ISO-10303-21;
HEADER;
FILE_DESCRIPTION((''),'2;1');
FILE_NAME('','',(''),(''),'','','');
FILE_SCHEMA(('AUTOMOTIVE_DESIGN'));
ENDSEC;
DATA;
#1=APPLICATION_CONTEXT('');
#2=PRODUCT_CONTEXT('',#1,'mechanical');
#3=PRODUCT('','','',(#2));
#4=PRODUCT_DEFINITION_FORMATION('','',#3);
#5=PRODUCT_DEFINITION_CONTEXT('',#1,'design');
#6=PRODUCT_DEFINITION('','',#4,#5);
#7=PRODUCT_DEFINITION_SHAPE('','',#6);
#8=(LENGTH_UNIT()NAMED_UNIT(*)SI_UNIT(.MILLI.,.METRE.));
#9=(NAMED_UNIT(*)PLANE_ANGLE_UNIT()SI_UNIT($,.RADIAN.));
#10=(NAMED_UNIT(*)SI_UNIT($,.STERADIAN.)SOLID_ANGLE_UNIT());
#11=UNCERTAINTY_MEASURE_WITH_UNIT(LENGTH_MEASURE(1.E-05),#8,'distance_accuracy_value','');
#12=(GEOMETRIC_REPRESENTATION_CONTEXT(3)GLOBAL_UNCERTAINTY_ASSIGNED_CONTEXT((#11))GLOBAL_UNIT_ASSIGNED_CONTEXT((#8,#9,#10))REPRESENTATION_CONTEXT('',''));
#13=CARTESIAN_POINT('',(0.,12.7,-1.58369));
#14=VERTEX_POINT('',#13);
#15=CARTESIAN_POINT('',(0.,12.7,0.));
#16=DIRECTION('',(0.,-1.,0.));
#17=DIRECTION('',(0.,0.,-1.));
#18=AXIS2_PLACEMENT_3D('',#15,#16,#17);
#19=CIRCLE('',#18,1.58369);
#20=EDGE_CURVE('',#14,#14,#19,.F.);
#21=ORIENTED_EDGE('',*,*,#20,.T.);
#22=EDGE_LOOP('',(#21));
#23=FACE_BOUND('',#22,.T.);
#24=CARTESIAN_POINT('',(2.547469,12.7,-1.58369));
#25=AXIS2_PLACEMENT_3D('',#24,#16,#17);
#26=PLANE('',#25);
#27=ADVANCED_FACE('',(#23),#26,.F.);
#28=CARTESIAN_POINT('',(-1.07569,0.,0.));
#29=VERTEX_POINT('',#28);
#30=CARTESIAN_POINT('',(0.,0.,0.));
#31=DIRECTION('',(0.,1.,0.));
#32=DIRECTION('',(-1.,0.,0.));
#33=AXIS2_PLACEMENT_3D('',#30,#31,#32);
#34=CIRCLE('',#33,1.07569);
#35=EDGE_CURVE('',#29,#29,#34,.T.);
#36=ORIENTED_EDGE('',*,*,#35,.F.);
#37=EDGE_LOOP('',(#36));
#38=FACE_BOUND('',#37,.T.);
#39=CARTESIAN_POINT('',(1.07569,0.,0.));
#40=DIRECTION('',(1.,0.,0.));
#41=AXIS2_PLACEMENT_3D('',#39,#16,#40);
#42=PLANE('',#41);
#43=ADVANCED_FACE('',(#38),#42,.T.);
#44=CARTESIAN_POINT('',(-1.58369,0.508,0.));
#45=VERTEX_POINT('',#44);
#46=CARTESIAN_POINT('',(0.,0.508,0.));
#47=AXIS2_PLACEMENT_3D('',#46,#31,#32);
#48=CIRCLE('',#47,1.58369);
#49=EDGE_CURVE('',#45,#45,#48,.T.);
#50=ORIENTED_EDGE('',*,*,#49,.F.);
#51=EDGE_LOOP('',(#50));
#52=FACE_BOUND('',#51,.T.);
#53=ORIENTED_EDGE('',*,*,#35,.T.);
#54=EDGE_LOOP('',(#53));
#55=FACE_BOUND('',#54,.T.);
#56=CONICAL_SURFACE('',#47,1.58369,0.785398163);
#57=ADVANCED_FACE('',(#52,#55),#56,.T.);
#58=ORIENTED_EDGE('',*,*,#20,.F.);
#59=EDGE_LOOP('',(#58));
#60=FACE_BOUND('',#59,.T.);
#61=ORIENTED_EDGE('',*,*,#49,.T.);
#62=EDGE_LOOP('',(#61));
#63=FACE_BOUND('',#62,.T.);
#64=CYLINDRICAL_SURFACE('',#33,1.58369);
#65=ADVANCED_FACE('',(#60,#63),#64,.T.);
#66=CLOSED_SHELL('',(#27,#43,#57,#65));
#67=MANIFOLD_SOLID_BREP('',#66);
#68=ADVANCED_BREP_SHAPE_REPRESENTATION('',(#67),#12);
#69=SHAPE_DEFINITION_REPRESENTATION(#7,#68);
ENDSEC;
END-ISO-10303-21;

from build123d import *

# Parameters (mm, degrees)
CUT_EXTRUDE1_DEPTH      = 26.498551881
CUT_EXTRUDE1_DEPTH_BACK = 26.498551881
SKETCH2_W               = 5.569431845
SKETCH2_H               = 14.354265732


with BuildPart() as part:
    # Sketch1 → Revolve1 (revolve)
    with BuildSketch(Plane(origin=(0, 0, 0), x_dir=(-1, 0, 0), z_dir=(0, 0, -1)), mode=Mode.PRIVATE) as revolve1_sk:
        Polygon((-1.07569, 0), (0, 0), (0, 25.4), (-1.07569, 25.4), (-1.58369, 24.892), (-1.58369, 0.508), align=None)
    revolve(revolve1_sk.sketch.rotate(Axis((0, 0, 0), (0, 1, 0)), 180), axis=Axis((0, 0, 0), (0, 1, 0)))

    # Sketch2 → Cut-Extrude1 (cut, two sides: drawn at the far end of the back side and taken through both)
    with BuildSketch(Plane.XY.offset(-CUT_EXTRUDE1_DEPTH_BACK)):
        with Locations((-0.237247142, 19.877132866)):
            Rectangle(SKETCH2_W, SKETCH2_H)
    extrude(amount=CUT_EXTRUDE1_DEPTH + CUT_EXTRUDE1_DEPTH_BACK, mode=Mode.SUBTRACT)


solid = part.part
